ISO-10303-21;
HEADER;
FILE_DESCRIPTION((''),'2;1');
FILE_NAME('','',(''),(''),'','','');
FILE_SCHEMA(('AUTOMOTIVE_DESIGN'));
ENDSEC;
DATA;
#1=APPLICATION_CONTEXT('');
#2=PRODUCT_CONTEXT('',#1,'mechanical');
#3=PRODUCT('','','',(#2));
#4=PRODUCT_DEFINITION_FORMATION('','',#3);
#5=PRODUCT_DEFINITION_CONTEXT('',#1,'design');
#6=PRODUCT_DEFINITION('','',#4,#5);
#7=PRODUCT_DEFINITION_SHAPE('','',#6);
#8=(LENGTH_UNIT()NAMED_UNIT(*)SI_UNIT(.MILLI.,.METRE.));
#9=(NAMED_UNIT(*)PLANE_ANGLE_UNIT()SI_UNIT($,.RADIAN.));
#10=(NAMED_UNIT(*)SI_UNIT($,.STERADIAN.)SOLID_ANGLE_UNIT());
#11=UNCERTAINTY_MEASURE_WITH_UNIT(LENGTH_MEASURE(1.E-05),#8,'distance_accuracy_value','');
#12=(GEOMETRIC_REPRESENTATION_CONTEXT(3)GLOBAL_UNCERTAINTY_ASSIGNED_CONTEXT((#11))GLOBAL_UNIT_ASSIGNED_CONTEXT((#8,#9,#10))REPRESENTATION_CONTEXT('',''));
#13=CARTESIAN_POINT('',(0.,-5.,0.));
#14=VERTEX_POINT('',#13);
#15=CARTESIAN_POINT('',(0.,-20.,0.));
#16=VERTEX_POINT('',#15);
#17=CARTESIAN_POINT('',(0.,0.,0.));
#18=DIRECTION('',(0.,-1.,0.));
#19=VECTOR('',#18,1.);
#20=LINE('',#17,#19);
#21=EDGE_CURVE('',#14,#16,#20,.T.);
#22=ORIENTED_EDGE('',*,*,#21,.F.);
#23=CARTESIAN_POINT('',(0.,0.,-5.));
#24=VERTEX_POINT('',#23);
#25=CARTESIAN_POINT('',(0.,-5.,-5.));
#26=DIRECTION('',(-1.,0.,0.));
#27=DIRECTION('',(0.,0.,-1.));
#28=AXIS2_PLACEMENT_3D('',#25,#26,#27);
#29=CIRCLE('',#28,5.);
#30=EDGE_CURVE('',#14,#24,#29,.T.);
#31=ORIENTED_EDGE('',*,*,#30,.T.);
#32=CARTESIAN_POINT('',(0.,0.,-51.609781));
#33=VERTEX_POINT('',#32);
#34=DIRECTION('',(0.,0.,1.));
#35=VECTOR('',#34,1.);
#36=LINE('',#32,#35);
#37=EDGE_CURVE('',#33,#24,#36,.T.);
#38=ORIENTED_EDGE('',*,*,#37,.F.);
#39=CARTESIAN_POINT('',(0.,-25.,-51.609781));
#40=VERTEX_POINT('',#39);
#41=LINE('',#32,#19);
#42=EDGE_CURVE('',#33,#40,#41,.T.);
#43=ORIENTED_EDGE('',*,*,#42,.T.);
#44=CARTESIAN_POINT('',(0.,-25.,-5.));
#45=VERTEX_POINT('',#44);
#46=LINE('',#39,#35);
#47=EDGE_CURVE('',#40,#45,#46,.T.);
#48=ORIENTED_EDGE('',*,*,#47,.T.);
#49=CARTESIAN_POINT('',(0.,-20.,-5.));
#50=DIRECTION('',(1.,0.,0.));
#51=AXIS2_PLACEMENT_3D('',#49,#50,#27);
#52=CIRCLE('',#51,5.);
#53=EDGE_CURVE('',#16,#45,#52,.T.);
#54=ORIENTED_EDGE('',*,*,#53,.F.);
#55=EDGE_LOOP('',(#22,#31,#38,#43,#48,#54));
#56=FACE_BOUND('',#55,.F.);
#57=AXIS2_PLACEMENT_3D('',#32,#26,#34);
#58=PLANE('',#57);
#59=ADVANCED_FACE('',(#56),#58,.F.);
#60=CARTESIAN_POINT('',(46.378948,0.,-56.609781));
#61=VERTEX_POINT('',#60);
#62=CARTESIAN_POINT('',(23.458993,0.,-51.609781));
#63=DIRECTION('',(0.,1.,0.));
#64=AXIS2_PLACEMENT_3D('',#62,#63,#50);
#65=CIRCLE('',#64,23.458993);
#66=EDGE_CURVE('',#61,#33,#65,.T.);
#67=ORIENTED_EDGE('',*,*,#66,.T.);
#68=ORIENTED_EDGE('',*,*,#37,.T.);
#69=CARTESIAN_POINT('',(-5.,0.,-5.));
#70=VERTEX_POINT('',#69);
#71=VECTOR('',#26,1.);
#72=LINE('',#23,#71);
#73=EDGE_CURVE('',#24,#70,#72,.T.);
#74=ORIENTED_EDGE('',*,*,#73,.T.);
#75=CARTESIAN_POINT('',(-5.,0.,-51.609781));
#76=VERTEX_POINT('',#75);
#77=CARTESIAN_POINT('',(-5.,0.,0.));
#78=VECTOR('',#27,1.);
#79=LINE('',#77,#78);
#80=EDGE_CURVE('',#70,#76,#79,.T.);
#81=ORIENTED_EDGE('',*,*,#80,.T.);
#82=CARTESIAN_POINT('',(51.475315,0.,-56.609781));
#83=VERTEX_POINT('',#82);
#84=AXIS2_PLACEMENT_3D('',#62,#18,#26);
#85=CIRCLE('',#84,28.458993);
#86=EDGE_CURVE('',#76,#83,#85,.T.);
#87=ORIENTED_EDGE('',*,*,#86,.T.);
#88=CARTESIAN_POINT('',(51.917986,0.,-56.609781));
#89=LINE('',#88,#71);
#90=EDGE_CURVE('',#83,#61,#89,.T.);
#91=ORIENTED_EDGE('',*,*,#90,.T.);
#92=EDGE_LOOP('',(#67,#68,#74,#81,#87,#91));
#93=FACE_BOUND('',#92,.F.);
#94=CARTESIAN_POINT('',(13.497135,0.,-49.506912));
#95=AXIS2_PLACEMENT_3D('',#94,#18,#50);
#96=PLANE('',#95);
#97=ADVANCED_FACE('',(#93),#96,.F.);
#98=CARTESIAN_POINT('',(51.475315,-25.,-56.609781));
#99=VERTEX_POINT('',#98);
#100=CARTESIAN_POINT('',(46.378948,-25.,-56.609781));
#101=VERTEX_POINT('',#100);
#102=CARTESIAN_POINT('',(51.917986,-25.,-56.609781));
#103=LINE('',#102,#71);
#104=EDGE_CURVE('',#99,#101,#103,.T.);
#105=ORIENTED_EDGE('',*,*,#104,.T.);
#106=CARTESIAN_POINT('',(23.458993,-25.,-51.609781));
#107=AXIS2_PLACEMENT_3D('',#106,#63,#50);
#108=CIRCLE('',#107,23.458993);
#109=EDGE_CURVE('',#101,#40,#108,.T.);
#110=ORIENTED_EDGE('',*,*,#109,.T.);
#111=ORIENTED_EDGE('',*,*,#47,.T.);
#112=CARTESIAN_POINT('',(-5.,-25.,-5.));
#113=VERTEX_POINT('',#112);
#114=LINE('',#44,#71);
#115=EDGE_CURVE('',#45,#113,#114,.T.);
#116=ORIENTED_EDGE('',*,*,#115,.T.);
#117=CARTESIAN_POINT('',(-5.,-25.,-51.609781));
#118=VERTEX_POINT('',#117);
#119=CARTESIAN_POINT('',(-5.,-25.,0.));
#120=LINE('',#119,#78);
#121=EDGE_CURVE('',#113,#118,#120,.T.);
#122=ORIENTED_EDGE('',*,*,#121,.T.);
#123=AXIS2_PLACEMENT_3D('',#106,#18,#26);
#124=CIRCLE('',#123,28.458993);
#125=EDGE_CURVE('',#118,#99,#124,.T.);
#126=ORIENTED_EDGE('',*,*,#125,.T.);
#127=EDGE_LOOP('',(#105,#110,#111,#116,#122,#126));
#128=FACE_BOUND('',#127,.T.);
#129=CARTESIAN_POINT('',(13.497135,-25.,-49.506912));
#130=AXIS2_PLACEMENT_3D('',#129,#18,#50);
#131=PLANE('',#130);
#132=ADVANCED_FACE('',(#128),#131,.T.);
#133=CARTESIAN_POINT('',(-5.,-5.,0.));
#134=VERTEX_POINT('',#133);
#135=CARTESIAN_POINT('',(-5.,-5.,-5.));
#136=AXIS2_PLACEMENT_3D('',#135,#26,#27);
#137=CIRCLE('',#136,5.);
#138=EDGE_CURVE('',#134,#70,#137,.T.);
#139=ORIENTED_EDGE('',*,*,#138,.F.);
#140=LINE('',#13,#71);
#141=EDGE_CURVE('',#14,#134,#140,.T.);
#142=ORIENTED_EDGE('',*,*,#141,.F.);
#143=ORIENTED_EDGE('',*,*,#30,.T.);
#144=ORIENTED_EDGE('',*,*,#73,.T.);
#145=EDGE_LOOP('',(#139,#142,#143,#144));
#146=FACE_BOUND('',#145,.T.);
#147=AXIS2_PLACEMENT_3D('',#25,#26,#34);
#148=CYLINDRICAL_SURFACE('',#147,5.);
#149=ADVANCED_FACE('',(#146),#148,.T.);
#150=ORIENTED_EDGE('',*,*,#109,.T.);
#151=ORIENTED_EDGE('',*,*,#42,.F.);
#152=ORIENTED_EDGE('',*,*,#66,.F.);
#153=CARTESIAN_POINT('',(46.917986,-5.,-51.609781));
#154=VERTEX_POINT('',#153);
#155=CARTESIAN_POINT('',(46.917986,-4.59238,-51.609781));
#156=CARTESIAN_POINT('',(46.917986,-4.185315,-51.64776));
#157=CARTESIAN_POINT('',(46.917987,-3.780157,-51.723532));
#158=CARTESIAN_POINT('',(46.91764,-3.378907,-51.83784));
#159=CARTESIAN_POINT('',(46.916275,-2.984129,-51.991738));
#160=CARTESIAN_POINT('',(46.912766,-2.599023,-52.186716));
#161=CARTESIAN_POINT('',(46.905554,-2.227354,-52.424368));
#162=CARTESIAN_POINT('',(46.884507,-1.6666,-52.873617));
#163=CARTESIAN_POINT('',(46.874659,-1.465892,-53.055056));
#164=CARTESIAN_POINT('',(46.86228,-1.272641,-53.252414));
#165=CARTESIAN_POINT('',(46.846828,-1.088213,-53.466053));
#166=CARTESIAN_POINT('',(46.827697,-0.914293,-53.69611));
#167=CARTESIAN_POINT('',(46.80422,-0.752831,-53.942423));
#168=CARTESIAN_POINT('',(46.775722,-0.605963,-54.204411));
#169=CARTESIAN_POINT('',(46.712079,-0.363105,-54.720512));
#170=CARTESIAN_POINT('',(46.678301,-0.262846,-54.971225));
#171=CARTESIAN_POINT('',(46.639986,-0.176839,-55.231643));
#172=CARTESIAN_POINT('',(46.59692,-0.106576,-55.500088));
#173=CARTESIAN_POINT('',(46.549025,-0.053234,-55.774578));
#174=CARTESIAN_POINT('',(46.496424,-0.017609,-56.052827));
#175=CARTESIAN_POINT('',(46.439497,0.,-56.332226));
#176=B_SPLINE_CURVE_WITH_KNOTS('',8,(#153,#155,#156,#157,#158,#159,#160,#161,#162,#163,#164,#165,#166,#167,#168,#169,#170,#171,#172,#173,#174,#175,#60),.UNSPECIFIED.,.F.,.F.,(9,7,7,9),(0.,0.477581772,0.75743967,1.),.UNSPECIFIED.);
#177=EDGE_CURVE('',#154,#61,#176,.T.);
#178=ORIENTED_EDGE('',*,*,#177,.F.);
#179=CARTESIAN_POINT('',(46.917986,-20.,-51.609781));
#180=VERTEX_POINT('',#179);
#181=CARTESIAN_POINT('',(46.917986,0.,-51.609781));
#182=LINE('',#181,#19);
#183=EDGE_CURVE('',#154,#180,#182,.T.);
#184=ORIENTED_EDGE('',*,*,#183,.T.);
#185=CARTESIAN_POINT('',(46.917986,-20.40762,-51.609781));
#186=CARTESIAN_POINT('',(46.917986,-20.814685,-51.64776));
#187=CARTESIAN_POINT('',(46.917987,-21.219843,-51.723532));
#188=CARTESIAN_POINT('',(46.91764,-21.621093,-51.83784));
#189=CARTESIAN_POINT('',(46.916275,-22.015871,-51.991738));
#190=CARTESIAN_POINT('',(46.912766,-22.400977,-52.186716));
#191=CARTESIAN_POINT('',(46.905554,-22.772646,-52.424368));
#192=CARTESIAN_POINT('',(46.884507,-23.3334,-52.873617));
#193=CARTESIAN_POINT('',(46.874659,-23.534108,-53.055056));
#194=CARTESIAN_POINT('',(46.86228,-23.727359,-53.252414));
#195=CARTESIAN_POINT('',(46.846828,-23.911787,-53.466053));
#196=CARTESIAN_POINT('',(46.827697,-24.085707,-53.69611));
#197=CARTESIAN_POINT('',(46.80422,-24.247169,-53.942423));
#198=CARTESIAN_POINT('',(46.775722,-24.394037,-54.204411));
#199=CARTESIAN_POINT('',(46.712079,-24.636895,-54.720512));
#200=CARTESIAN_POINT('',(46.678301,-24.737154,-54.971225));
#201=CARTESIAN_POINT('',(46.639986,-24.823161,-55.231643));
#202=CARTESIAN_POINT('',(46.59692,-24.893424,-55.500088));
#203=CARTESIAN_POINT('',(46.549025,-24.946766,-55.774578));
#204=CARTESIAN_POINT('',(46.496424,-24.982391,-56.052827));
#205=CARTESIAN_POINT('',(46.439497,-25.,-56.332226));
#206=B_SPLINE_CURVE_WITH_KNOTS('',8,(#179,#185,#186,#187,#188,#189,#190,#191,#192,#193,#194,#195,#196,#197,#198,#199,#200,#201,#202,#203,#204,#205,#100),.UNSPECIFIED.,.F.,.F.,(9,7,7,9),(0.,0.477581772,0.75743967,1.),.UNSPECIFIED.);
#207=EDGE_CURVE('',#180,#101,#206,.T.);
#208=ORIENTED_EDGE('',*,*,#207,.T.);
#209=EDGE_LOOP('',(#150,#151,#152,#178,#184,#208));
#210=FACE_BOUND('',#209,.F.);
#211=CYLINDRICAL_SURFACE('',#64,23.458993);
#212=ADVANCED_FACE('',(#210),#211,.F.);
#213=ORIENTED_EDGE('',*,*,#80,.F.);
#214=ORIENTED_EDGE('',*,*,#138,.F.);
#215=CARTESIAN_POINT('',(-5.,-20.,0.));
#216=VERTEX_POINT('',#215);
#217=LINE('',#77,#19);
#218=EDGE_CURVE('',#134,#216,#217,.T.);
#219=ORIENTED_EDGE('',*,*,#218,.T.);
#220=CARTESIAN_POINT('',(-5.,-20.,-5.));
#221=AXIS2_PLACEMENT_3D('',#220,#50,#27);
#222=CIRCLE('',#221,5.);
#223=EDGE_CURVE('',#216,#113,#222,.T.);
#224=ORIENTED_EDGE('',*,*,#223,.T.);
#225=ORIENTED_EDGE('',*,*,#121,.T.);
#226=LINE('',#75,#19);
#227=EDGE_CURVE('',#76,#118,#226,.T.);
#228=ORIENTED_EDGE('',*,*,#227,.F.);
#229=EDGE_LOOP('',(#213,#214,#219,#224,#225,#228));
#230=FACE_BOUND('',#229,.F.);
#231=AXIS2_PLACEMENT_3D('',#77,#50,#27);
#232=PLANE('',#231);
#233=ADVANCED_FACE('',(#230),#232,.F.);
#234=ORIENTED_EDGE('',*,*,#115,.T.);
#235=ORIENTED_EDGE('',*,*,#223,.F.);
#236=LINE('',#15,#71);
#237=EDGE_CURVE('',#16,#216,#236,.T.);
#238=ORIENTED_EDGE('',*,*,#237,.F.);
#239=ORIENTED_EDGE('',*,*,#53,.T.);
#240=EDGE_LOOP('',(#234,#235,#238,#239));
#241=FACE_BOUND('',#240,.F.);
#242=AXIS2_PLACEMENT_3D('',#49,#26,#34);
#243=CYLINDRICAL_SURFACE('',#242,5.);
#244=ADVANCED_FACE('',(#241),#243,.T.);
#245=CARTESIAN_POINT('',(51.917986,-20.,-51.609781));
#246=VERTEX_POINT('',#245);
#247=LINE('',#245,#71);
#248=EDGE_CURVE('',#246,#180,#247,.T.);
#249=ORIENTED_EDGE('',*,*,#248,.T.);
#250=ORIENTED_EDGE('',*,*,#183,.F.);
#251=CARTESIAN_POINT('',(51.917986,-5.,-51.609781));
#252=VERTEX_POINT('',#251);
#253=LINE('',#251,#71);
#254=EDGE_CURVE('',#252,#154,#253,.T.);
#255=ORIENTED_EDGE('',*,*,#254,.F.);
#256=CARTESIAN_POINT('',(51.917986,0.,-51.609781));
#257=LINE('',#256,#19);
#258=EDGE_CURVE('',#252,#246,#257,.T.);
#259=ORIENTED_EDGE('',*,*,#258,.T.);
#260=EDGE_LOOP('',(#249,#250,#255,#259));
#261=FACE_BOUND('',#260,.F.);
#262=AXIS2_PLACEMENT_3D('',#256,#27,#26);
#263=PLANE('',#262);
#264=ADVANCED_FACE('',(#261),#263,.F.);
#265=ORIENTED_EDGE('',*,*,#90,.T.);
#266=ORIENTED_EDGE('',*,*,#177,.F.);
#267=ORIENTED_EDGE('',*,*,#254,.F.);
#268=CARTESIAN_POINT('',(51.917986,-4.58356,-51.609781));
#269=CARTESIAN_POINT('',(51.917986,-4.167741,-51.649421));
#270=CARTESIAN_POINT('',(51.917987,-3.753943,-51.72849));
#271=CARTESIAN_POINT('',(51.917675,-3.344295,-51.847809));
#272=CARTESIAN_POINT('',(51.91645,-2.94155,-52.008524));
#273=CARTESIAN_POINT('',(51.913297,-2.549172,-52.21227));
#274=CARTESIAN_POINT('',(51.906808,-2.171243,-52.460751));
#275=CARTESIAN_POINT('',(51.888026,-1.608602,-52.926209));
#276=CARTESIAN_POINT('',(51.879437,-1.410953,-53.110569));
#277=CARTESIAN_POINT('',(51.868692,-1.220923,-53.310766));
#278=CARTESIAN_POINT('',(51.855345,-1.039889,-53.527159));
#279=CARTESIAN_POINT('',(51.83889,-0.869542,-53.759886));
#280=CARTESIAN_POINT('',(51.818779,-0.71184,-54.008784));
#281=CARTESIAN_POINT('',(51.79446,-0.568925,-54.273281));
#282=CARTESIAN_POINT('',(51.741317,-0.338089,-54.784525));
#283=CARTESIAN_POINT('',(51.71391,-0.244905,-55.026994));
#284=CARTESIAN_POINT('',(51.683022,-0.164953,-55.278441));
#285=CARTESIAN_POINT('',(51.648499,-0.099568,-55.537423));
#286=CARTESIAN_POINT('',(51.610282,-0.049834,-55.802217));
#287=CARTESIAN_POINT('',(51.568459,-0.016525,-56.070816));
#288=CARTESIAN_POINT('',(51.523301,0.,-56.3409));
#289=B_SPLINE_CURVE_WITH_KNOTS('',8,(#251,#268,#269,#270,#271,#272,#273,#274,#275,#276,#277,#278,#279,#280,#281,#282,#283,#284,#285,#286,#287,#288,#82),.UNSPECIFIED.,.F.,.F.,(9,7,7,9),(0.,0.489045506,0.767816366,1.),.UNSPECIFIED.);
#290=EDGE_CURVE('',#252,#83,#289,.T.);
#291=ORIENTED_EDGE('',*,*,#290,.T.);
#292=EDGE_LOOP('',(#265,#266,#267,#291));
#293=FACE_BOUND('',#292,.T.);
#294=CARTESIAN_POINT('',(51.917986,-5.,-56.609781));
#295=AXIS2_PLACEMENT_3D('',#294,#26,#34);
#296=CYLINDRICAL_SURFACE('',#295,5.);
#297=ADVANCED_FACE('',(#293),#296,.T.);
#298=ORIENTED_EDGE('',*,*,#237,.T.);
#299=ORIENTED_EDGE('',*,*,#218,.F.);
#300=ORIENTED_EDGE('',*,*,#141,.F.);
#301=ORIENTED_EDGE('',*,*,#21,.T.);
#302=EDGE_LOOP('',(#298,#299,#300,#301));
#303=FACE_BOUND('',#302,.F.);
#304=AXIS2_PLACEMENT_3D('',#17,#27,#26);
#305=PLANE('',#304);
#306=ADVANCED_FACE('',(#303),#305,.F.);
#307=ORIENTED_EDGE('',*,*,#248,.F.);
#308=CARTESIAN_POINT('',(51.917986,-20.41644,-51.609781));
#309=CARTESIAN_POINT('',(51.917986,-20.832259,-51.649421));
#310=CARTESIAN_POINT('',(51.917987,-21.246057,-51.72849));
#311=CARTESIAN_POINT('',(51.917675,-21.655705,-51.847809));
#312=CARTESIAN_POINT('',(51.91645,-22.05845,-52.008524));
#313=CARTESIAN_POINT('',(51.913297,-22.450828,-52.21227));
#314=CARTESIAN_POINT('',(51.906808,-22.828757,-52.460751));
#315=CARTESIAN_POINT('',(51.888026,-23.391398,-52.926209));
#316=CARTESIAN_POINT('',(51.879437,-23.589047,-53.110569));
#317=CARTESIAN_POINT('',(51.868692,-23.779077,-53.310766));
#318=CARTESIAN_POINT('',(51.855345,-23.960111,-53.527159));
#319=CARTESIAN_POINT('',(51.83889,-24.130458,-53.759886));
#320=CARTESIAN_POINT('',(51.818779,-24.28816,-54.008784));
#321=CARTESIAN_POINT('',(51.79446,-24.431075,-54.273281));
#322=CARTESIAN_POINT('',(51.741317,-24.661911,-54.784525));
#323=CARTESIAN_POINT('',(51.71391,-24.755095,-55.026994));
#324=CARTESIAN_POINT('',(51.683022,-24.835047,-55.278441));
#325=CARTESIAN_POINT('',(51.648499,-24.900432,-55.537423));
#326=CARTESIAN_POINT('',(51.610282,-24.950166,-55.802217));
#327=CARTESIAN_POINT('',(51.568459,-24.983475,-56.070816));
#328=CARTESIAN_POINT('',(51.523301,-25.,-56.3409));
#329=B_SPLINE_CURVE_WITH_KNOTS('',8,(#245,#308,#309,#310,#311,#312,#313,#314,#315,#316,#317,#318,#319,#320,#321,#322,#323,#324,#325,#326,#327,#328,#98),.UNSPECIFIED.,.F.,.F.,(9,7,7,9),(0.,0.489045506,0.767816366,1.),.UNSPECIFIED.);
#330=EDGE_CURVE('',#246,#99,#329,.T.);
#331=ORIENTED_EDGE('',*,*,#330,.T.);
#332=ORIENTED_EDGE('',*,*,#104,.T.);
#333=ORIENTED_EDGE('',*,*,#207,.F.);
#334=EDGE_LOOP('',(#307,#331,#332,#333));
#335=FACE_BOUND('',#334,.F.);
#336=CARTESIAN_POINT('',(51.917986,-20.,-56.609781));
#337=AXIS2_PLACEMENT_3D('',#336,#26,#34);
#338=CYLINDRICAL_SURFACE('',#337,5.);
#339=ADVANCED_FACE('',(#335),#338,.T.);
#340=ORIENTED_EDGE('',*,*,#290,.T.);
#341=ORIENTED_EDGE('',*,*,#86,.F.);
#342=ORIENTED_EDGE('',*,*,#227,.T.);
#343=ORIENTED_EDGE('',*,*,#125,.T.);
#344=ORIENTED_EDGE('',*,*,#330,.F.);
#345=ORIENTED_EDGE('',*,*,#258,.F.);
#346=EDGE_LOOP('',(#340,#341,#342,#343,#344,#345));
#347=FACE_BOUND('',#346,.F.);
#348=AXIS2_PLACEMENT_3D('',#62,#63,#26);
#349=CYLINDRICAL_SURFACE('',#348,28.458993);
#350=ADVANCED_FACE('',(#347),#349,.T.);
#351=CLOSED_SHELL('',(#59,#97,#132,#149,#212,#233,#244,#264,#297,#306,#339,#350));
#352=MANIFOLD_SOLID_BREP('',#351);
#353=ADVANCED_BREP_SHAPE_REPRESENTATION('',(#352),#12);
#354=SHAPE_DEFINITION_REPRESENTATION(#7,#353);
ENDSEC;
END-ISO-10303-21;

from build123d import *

# Parameters (mm, degrees)
F1_DEPTH = 25
F2_R     = 5


with BuildPart() as f1:
    # F0 (on Front) → F1 (new body)
    with BuildSketch(Plane.XZ):
        with BuildLine():
            Line((0, -51.609781), (0, 0))
            Line((0, 0), (-5, 0))
            Line((-5, 0), (-5, -51.609781))
            ThreePointArc((-5, -51.609781), (23.458993, -80.068774), (51.917986, -51.609781))
            Line((51.917986, -51.609781), (46.917986, -51.609781))
            ThreePointArc((46.917986, -51.609781), (23.458993, -75.068774), (0, -51.609781))
        make_face()
    extrude(amount=F1_DEPTH)

    # F2
    f2_edges = [f1.edges().sort_by_distance(p)[0] for p in [
        (49.417986, -25, -51.609781),
        (49.417986, 0, -51.609781),
        (-2.5, 0, 0),
        (-2.5, -25, 0),
    ]]
    fillet(f2_edges, radius=F2_R)


solid = f1.part
